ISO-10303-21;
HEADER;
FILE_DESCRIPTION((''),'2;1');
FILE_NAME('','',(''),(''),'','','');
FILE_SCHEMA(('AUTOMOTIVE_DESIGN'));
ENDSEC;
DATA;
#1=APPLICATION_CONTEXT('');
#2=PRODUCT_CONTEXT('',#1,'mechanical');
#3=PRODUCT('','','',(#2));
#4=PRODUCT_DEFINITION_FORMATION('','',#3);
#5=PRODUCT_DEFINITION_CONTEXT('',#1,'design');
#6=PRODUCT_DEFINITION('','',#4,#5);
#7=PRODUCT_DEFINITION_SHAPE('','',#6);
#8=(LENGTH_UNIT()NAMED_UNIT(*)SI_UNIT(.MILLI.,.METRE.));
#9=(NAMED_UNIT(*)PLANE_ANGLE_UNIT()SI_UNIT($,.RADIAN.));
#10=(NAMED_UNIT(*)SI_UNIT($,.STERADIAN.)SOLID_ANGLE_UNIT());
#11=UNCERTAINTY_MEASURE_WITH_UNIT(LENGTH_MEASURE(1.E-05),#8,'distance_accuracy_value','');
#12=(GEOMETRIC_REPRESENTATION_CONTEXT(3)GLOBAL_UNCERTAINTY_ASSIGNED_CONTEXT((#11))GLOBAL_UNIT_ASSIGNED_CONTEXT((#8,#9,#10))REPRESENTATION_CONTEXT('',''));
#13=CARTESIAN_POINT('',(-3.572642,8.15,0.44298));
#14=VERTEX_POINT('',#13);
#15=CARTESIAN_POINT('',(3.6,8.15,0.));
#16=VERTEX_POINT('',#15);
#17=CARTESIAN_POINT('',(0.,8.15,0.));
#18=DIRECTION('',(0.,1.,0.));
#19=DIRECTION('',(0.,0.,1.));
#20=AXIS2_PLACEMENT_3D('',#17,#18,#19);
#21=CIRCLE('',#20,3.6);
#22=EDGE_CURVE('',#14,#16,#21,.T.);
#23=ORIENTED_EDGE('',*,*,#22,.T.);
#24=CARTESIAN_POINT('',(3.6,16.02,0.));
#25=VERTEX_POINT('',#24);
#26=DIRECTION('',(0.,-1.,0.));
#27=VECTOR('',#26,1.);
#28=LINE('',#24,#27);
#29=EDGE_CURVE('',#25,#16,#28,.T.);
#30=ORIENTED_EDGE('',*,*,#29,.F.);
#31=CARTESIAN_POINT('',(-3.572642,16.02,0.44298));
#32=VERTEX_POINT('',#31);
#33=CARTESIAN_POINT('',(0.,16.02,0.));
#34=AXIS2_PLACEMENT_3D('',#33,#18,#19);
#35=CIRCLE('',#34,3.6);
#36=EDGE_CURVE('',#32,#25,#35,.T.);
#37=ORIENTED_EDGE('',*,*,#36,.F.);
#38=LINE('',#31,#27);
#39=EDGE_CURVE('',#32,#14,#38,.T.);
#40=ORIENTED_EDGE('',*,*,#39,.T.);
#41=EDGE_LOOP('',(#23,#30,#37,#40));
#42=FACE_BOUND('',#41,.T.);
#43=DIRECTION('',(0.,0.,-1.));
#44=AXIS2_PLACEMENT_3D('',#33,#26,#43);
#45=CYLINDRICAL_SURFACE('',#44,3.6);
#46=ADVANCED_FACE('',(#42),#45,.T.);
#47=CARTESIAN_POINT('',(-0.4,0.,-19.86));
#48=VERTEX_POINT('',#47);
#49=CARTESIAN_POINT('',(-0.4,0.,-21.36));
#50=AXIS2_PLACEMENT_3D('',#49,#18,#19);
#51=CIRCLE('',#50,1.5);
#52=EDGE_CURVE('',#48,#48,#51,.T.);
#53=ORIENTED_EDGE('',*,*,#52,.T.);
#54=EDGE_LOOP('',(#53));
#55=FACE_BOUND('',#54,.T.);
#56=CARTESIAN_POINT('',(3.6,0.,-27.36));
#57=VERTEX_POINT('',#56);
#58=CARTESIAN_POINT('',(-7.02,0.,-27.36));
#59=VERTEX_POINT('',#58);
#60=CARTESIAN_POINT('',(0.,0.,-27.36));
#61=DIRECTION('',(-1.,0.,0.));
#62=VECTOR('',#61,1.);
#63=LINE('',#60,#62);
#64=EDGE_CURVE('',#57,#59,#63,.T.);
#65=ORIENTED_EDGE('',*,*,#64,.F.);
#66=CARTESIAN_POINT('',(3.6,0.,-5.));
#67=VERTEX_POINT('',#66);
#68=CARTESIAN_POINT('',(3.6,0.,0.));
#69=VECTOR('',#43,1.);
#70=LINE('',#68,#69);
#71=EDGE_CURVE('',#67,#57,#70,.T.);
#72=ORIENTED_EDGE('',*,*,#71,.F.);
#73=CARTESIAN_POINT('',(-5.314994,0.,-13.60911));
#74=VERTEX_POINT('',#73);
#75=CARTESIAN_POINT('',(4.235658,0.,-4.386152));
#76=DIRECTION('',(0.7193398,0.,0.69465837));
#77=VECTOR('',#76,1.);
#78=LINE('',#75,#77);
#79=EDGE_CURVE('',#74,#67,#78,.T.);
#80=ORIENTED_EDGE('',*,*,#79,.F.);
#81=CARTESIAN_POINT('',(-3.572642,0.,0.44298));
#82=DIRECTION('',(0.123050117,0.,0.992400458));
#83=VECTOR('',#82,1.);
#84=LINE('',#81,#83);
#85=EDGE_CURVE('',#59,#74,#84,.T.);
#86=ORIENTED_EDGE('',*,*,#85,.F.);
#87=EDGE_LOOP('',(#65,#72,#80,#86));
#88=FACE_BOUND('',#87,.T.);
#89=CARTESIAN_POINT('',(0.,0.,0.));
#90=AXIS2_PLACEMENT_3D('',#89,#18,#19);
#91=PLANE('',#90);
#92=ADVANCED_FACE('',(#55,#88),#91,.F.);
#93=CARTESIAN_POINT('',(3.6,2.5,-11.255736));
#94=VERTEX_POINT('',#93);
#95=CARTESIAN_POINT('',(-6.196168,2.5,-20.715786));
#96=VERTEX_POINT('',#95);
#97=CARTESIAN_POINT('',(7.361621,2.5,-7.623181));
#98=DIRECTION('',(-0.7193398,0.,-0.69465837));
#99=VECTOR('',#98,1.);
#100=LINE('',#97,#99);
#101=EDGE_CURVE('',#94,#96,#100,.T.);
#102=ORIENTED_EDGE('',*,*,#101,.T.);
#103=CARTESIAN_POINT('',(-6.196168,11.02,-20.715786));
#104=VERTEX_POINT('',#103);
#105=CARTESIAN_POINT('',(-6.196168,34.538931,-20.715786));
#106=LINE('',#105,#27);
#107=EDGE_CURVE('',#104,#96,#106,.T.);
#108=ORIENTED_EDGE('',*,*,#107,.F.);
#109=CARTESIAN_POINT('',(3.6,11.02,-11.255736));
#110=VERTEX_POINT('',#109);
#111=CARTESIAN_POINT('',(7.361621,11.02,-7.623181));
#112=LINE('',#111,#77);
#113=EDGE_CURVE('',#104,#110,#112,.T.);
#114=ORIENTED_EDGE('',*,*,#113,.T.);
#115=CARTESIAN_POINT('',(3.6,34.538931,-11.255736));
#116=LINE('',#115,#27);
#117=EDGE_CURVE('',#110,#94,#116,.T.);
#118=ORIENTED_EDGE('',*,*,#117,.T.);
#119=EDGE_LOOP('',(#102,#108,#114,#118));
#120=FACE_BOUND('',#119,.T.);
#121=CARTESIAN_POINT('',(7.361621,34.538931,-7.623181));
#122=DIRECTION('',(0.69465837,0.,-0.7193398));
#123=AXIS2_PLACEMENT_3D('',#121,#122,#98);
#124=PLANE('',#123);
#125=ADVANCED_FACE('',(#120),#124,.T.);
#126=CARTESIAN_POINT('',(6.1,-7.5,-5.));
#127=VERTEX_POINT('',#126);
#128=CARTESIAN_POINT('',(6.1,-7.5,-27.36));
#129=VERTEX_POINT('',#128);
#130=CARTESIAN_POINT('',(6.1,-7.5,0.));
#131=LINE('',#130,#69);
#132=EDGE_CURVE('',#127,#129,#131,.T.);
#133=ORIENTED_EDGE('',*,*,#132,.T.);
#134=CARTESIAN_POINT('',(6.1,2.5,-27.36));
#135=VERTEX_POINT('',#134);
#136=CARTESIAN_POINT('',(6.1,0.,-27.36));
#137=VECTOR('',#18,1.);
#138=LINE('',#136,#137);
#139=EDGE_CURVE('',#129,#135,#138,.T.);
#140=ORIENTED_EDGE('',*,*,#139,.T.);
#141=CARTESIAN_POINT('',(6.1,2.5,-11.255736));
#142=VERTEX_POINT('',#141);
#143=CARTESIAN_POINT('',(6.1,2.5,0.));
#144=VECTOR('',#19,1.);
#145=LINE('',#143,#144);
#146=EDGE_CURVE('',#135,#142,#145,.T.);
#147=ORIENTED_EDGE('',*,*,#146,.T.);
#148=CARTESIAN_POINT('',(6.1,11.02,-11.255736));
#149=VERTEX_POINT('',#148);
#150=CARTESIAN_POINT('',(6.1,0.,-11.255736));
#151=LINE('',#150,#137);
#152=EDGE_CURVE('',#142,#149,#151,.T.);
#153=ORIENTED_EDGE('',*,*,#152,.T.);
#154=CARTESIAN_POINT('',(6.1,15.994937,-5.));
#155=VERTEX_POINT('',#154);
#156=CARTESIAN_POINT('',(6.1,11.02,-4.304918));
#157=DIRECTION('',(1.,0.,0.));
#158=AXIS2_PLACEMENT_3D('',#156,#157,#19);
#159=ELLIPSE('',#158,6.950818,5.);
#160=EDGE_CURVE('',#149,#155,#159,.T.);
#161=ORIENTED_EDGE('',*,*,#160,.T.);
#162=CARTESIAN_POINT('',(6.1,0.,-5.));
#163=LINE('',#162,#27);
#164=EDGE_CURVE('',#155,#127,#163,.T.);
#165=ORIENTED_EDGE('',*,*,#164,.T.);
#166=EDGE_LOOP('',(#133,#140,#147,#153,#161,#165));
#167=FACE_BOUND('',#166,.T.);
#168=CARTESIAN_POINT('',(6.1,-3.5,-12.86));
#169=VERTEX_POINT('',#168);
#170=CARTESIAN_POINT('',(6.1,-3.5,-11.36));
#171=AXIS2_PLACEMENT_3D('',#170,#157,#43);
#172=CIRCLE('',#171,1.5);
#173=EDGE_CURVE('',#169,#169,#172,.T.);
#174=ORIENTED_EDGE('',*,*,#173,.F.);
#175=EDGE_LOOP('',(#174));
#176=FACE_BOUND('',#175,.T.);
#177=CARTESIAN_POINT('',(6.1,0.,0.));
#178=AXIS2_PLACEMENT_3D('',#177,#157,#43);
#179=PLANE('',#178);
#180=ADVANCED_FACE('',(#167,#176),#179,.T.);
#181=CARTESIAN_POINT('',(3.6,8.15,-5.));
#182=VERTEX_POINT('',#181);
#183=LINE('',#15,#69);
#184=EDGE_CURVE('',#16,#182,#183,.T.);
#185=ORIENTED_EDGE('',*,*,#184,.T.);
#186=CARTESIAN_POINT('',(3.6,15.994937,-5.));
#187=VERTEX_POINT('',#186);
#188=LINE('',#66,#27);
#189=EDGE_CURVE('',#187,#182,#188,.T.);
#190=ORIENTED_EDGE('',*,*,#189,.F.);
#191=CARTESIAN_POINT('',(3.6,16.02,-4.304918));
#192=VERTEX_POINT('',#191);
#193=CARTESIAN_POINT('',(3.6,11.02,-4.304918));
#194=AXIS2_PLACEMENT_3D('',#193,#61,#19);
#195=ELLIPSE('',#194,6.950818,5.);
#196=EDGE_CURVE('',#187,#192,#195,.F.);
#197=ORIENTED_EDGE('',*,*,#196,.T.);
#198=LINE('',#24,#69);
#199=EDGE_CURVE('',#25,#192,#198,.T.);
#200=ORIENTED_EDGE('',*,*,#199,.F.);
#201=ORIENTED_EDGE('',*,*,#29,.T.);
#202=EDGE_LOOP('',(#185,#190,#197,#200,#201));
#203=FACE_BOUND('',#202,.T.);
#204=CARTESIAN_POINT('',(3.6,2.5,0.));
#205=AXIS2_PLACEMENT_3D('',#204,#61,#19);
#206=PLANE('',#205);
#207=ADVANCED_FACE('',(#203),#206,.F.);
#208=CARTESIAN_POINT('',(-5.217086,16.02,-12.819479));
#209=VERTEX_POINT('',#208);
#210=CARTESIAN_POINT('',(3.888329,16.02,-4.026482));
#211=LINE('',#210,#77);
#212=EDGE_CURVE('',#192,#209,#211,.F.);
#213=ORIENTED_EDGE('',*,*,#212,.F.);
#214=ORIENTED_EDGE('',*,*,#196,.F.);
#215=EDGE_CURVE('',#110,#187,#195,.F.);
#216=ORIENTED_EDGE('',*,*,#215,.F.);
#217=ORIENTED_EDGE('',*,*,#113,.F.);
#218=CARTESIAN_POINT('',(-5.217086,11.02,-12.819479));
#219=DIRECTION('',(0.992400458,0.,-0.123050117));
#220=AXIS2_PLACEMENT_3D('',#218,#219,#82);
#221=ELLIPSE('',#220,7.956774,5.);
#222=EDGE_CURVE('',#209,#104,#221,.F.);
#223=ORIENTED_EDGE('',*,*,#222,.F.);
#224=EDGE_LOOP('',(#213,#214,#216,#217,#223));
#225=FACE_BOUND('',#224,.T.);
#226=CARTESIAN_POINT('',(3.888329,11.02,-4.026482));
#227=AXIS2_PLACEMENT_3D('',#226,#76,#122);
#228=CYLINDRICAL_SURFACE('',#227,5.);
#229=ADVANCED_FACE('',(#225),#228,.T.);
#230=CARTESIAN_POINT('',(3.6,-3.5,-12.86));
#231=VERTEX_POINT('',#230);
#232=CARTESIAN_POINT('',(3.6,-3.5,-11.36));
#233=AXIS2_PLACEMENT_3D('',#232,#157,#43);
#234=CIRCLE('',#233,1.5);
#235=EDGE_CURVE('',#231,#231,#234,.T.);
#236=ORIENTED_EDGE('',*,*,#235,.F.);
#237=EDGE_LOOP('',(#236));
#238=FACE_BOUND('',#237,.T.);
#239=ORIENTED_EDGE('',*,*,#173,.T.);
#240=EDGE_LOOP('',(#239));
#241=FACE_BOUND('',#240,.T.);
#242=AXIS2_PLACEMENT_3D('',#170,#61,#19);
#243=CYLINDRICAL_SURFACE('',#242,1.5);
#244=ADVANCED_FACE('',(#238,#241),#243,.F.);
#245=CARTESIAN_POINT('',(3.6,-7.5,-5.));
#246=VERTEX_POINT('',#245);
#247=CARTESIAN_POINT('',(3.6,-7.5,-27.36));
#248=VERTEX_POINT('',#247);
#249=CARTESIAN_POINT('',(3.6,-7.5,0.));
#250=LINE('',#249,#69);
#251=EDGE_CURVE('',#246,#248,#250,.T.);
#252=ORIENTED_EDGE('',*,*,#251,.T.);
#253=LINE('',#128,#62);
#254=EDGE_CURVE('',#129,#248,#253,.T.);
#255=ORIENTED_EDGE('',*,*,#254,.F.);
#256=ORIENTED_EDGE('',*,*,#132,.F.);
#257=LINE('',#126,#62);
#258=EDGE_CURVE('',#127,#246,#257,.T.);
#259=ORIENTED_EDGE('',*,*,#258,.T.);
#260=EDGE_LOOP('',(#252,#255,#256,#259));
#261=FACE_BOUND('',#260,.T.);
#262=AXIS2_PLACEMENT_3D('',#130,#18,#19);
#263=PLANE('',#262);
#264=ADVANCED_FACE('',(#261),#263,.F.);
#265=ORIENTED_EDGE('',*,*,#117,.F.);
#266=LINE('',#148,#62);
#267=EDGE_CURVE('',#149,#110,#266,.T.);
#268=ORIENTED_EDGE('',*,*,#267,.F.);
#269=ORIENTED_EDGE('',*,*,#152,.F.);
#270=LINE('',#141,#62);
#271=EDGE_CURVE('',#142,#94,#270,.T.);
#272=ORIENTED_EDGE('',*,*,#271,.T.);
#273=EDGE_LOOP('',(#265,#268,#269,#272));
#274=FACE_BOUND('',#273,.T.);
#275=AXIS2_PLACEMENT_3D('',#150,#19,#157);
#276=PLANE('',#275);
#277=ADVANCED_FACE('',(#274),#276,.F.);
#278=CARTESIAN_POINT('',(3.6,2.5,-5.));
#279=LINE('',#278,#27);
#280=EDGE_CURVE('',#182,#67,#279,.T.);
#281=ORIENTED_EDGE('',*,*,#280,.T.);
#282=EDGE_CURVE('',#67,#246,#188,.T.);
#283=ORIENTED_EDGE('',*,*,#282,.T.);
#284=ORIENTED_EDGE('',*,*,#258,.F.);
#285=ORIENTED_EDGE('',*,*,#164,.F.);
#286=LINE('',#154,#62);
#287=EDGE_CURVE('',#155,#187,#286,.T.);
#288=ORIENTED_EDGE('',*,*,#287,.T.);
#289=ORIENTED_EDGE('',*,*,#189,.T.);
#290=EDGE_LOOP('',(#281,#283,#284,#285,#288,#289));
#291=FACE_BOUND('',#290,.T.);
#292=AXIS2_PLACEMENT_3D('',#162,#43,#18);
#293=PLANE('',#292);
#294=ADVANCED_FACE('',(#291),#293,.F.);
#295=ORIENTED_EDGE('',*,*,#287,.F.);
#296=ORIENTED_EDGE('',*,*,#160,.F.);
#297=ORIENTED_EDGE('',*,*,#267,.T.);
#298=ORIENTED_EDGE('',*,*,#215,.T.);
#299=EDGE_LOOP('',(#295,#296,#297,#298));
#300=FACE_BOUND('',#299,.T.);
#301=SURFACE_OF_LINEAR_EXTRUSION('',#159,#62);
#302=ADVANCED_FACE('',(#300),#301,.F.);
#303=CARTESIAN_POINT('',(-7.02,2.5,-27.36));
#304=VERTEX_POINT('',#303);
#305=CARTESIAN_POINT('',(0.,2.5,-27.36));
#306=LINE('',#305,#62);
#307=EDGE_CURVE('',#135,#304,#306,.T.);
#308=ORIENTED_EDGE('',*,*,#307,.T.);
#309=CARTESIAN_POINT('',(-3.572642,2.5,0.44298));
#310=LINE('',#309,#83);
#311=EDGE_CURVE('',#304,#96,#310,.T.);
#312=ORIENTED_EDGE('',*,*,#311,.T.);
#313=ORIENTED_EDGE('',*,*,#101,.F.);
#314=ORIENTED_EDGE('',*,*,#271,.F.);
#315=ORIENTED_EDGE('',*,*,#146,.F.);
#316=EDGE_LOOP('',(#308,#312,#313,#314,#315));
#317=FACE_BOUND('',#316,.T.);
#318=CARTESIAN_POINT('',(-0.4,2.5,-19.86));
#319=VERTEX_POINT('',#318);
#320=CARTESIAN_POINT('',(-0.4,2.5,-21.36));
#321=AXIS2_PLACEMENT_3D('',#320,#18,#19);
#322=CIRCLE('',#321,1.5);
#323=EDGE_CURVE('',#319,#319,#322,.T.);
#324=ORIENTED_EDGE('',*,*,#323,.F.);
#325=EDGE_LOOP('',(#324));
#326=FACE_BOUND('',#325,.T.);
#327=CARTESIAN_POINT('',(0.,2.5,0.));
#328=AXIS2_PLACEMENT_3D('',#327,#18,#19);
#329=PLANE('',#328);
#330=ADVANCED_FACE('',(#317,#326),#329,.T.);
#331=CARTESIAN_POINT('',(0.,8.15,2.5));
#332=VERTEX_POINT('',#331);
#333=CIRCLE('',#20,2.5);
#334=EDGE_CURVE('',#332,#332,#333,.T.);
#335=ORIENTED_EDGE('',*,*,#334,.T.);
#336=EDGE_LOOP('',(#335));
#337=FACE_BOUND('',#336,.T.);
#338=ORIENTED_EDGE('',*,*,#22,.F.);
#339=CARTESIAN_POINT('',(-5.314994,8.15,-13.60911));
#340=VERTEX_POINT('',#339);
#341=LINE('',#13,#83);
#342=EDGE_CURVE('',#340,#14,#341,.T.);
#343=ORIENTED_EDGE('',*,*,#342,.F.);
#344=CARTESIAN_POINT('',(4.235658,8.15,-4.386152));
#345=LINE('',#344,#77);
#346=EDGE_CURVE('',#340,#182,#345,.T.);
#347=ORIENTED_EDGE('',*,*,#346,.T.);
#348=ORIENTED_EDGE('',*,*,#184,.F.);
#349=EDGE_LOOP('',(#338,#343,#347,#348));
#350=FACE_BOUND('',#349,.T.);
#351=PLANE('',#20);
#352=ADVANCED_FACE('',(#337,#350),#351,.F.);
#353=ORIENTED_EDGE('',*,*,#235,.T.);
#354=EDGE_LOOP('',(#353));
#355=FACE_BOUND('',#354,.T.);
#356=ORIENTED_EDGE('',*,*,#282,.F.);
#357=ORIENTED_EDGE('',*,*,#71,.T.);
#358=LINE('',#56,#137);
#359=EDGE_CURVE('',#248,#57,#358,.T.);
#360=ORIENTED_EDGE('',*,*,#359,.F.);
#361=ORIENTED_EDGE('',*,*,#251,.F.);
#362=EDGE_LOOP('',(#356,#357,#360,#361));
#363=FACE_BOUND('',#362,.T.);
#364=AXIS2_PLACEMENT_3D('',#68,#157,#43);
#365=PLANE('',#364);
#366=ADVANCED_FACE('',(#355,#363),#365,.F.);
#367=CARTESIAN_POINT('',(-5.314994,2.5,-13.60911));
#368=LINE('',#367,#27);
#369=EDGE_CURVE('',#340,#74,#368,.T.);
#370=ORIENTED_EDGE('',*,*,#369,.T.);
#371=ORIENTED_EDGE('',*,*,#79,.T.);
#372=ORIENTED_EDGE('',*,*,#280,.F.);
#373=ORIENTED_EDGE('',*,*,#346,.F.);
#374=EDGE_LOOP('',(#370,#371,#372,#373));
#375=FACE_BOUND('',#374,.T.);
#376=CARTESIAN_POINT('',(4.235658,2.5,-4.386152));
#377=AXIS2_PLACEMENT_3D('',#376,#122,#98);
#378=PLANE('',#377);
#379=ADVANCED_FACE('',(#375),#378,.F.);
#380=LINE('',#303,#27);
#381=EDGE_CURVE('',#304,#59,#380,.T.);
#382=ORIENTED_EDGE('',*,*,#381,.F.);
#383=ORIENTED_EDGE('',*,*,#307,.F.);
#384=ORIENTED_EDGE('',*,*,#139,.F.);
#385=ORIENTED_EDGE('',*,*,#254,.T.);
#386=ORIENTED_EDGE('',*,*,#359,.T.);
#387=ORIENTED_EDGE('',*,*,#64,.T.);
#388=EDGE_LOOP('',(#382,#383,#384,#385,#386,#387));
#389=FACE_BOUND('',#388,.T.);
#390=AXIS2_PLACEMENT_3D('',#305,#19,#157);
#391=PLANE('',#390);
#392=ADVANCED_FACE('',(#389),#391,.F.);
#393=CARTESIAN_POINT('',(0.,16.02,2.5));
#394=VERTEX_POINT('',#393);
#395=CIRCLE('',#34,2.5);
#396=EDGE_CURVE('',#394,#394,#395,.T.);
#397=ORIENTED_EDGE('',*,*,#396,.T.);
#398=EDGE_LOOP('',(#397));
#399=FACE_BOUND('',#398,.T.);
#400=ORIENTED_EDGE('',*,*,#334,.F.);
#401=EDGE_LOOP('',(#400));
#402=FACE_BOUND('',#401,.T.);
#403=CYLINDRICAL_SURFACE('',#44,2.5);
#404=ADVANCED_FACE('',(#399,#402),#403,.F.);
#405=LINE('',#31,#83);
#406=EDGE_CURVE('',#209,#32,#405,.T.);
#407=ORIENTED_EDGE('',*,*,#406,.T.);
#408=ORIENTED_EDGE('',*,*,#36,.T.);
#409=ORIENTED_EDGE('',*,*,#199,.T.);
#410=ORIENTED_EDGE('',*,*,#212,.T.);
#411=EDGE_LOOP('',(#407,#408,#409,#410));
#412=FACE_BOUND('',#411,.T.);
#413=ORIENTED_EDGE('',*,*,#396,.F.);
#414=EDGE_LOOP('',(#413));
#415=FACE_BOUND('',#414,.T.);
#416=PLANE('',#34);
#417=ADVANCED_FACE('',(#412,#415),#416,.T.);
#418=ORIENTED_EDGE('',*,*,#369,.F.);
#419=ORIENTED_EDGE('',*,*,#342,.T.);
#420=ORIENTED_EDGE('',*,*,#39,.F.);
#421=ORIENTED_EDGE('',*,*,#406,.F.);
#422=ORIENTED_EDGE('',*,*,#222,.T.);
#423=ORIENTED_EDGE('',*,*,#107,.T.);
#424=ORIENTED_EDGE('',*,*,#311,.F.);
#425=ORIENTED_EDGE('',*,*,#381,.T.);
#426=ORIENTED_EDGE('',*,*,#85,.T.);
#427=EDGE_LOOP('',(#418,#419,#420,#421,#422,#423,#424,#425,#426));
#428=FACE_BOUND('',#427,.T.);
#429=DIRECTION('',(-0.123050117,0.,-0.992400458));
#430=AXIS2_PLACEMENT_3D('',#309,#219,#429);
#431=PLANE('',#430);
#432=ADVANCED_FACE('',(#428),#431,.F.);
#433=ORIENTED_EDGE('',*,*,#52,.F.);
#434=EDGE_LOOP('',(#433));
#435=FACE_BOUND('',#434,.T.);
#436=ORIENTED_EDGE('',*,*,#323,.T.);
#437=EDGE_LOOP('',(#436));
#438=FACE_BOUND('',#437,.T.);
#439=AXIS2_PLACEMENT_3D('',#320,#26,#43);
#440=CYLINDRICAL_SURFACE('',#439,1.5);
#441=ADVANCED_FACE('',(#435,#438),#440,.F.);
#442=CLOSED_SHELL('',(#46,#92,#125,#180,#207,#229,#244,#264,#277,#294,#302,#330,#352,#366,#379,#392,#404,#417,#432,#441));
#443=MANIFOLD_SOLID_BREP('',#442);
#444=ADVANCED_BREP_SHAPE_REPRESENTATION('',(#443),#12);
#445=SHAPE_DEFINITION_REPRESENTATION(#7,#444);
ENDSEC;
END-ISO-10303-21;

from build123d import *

# Parameters (mm, degrees)
CROQUIS1_R              = 1.5
SALIENTE_EXTRUIR1_DEPTH = 2.5
SALIENTE_EXTRUIR2_START = 8.15
CROQUIS1_3_R            = 2.5
SALIENTE_EXTRUIR2_DEPTH = 7.87
SALIENTE_EXTRUIR5_DEPTH = 16.02
REDONDEO3_R             = 5
CROQUIS8_W              = 22.36
CROQUIS8_H              = 7.5
CROQUIS8_R              = 1.5
SALIENTE_EXTRUIR6_DEPTH = 2.5


with BuildPart() as part:
    # Croquis1 → Saliente-Extruir1 (new body)
    with BuildSketch(Plane(origin=(0, 0, 0), x_dir=(1, 0, 0), z_dir=(0, 1, 0))):
        Polygon((3.6, 27.36), (-7.02, 27.36), (-5.314994069, 13.6091097), (3.6, 5), align=None)
        with Locations(Location((-0.4, 21.36, 0), (0, 0, 270))):
            Circle(CROQUIS1_R, mode=Mode.SUBTRACT)
    extrude(amount=SALIENTE_EXTRUIR1_DEPTH)



with BuildPart() as body_2:
    # Croquis1<3> → Saliente-Extruir2 (new body)
    with BuildSketch(Plane(origin=(0, 0, 0), x_dir=(1, 0, 0), z_dir=(0, 1, 0)).offset(SALIENTE_EXTRUIR2_START)):
        with BuildLine():
            Line((3.6, 5), (-5.314994069, 13.6091097))
            Line((-5.314994069, 13.6091097), (-3.572641648, -0.442980423))
            ThreePointArc((-3.572641648, -0.442980423), (0.221912221, -3.593153902), (3.6, 0))
            Line((3.6, 0), (3.6, 5))
        make_face()
        with Locations(Location((0, 0, 0), (0, 0, 270))):
            Circle(CROQUIS1_3_R, mode=Mode.SUBTRACT)
    extrude(amount=SALIENTE_EXTRUIR2_DEPTH)


with BuildPart() as part_1:
    add(part.part)

    add(body_2.part)  # Saliente-Extruir5 merges body 2
    # Croquis1<6> → Saliente-Extruir5 (add)
    with BuildSketch(Plane(origin=(0, 0, 0), x_dir=(1, 0, 0), z_dir=(0, 1, 0))):
        Polygon((3.6, 11.25573616), (-6.196167881, 20.715785518), (-5.314994069, 13.6091097), (3.6, 5), align=None)
    extrude(amount=SALIENTE_EXTRUIR5_DEPTH)

    # Redondeo3
    redondeo3_edges = [part_1.edges().sort_by_distance(p)[0] for p in [
        (-1.29808394, 16.02, -15.985760839),
    ]]
    fillet(redondeo3_edges, radius=REDONDEO3_R)

    # Croquis8 → Saliente-Extruir6 (add)
    # profile 1 of 2: a face of its own
    with BuildSketch(Plane(origin=(3.6, 0, 0), x_dir=(0, 0, -1), z_dir=(1, 0, 0))):
        with BuildLine():
            Line((5, 15.994937186), (5, 8.15))
            Line((5, 8.15), (5, 0))
            Line((5, 0), (27.36, 0))
            Line((27.36, 0), (27.36, 2.5))
            Line((27.36, 2.5), (11.25573616, 2.5))
            Line((11.25573616, 2.5), (11.25573616, 11.02))
            add(Edge.make_bspline(
                [(11.25573616, 11.02), (11.25573616, 15.542670169), (5, 15.994937186)],
                knots=[3.141592654, 3.141592654, 3.141592654, 4.603302756, 4.603302756, 4.603302756], degree=2, weights=[1, 0.727447175, 0.962144349]))
        make_face()
    # profile 2 of 2: a face of its own
    with BuildSketch(Plane(origin=(3.6, 0, 0), x_dir=(0, 0, -1), z_dir=(1, 0, 0))):
        with Locations((16.18, -3.75)):
            Rectangle(CROQUIS8_W, CROQUIS8_H)
        with Locations((11.36, -3.5)):
            Circle(CROQUIS8_R, mode=Mode.SUBTRACT)
    extrude(amount=SALIENTE_EXTRUIR6_DEPTH)


solid = part_1.part
